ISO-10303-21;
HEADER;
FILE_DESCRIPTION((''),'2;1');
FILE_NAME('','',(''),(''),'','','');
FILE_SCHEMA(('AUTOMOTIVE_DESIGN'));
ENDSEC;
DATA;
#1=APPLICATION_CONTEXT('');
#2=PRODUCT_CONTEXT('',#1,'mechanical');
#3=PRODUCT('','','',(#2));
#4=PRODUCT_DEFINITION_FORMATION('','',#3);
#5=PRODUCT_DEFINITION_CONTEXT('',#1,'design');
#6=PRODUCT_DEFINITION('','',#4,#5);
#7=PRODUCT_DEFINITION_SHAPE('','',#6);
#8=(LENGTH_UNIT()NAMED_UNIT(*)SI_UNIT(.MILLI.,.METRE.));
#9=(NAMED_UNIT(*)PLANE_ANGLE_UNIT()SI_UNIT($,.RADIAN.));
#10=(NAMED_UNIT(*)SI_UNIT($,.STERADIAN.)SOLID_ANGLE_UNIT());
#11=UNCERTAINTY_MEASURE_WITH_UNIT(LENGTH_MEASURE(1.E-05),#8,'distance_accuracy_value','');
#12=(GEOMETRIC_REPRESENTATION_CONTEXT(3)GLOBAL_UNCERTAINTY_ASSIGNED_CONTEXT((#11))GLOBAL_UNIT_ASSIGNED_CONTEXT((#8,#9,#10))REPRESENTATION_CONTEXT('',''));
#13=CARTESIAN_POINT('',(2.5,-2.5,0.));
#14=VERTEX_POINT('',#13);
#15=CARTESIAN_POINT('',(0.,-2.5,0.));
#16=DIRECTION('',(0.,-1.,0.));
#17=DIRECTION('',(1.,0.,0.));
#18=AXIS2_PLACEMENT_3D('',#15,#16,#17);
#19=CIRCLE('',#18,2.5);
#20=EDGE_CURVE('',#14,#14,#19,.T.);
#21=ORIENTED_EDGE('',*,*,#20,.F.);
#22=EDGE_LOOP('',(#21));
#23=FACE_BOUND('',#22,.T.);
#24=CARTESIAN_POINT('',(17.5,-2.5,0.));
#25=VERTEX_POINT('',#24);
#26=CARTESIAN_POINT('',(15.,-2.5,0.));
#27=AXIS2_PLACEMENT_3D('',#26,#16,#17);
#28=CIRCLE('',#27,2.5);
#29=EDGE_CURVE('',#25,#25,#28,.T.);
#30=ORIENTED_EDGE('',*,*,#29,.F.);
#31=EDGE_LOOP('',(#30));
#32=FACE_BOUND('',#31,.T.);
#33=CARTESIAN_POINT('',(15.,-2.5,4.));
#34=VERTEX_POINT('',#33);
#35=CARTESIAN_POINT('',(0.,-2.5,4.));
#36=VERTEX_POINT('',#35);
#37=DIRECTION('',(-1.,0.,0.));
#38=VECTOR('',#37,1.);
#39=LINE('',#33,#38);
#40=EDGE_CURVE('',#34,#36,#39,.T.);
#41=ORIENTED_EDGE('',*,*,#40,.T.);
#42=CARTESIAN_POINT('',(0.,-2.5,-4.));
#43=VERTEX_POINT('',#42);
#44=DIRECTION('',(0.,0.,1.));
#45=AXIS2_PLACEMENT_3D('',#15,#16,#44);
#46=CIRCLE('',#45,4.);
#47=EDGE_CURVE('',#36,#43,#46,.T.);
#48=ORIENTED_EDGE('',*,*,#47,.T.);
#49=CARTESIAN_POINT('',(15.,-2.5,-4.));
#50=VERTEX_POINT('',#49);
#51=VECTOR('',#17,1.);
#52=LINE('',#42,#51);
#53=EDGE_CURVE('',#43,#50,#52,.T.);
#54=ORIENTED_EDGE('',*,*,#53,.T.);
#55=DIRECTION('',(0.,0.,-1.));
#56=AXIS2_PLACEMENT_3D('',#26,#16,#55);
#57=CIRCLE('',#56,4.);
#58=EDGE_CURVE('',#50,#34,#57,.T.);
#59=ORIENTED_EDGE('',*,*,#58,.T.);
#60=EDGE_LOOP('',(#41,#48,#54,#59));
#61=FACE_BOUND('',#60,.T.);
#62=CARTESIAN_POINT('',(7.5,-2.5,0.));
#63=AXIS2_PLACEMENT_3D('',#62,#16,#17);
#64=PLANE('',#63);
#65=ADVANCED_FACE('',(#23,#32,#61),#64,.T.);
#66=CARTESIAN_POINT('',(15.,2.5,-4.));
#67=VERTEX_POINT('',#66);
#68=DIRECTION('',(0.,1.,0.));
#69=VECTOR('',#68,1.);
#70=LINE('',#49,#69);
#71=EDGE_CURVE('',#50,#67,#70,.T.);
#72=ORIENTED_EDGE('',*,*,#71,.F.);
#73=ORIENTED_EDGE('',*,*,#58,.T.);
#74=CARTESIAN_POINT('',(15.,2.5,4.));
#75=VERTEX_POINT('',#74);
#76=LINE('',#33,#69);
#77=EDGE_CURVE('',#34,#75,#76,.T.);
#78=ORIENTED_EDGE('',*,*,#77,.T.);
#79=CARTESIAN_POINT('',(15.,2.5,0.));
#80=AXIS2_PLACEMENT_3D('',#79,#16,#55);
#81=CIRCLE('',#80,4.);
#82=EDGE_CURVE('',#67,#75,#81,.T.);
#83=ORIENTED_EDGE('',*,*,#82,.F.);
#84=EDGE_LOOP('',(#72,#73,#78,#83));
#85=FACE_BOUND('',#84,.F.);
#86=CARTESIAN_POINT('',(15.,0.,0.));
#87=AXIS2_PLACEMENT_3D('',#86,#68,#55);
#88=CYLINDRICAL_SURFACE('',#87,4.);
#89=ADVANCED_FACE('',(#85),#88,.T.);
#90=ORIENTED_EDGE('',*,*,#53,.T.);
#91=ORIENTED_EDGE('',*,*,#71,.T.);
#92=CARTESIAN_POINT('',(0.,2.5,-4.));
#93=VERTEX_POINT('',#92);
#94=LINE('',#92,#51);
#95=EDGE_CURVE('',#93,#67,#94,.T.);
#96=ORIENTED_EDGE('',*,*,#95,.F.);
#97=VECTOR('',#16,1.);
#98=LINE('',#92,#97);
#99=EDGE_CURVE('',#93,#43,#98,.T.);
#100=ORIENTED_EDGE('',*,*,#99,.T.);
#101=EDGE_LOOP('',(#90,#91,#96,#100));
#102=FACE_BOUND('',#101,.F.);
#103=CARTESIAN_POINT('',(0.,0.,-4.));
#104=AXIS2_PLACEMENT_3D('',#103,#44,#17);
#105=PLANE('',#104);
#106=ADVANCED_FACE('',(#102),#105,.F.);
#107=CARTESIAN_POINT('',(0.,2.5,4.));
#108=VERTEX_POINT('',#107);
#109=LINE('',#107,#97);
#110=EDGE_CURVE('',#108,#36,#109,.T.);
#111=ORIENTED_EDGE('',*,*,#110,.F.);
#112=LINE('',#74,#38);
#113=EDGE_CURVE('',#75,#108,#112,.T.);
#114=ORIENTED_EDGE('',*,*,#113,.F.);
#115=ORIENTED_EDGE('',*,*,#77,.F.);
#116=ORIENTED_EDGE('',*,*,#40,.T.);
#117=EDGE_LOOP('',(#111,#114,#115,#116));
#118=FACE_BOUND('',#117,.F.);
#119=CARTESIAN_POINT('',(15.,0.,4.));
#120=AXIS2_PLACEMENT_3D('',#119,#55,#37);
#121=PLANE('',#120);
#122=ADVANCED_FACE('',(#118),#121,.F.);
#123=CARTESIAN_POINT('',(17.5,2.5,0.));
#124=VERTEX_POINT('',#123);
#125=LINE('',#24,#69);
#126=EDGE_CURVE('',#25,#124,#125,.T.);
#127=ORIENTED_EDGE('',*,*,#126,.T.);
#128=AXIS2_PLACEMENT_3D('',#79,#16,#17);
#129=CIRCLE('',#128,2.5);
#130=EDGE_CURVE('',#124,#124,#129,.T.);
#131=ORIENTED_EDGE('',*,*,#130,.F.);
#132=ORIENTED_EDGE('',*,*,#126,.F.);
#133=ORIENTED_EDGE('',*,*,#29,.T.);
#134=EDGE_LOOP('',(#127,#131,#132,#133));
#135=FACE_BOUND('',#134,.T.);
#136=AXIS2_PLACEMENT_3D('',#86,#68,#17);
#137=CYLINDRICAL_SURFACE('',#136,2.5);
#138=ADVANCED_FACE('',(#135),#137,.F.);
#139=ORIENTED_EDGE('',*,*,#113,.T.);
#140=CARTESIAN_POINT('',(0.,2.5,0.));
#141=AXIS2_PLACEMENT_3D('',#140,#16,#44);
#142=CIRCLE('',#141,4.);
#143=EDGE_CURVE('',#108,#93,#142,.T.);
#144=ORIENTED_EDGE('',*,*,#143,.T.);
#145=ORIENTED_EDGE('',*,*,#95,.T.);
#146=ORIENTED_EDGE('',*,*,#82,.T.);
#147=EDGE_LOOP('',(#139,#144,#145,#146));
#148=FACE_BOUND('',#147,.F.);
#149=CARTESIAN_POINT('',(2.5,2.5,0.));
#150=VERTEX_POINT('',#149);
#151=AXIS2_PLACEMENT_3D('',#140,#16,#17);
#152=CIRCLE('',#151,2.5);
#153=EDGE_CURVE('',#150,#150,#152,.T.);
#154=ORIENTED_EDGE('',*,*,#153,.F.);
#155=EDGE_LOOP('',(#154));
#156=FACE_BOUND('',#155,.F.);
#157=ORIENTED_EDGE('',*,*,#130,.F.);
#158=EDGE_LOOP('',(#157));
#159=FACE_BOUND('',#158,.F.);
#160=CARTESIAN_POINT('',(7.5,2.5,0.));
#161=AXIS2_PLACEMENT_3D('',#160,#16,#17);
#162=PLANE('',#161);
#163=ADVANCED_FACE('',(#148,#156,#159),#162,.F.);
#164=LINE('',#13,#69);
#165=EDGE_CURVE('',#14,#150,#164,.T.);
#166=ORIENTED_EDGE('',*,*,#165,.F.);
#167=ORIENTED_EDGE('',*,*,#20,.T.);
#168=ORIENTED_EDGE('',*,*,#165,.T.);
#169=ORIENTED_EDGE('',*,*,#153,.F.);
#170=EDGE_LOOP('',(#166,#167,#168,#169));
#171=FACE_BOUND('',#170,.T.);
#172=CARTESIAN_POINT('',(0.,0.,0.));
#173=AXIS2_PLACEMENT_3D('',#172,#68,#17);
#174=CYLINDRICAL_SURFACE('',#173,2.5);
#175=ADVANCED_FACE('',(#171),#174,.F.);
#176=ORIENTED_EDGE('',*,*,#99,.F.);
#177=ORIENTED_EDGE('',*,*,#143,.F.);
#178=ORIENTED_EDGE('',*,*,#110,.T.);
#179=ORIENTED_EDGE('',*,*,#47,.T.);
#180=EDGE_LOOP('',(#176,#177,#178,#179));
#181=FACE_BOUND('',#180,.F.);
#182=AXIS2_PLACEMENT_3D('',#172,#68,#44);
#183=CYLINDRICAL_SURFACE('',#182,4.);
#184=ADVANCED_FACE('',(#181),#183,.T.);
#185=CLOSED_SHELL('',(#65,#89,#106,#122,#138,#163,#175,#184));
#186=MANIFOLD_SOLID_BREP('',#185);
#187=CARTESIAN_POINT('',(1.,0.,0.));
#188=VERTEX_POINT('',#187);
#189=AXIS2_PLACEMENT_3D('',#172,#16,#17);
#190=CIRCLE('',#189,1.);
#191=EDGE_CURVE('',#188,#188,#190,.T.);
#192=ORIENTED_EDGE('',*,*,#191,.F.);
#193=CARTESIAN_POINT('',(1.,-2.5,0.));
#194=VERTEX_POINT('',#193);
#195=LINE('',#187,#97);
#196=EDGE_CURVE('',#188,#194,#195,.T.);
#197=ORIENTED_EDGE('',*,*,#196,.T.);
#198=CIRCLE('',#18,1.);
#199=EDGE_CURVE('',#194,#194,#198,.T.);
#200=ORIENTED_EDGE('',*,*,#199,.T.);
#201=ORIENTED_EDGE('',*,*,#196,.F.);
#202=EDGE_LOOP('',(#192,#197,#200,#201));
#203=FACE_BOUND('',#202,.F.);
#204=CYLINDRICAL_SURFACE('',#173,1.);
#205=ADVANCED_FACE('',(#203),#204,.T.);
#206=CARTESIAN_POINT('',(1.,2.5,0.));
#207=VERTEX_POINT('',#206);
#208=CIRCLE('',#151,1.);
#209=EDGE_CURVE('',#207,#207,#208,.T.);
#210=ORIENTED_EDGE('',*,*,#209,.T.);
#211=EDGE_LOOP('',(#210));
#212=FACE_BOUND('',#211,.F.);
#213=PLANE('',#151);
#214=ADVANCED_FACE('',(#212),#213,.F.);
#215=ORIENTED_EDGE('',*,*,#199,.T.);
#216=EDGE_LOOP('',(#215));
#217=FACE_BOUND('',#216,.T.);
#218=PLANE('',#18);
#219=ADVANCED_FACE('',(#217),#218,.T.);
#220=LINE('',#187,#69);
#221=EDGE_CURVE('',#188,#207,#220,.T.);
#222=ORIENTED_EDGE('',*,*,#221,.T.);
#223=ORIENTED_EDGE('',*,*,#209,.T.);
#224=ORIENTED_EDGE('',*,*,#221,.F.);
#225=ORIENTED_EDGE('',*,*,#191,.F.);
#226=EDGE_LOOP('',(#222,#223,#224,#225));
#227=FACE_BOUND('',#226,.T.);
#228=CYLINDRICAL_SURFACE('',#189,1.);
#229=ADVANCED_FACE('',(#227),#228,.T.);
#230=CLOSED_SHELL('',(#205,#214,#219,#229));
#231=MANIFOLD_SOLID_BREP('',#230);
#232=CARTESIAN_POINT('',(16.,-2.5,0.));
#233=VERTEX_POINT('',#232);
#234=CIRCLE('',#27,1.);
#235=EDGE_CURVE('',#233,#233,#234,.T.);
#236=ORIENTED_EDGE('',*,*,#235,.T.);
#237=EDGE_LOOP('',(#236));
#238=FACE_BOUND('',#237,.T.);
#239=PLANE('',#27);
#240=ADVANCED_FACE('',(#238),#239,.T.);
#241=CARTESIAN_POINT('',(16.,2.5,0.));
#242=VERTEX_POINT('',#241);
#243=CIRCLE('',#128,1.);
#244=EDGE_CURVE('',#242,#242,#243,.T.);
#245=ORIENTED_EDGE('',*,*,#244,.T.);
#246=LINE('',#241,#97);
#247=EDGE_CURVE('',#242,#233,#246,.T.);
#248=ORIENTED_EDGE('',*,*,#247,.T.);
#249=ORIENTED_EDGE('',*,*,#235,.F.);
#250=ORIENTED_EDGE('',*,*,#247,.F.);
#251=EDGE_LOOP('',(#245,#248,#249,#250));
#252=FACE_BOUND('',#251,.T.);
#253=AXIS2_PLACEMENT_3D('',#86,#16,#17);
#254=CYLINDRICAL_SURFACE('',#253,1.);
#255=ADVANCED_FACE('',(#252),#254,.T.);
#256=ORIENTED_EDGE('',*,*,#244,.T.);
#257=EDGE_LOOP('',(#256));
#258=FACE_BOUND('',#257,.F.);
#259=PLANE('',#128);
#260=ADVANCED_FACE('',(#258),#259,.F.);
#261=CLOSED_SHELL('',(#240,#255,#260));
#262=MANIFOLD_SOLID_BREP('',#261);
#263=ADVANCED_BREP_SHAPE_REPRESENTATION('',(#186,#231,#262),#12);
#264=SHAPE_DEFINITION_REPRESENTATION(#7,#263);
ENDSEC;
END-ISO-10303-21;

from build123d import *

# Parameters (mm, degrees)
F0_R     = 2.5
F0_R_2   = 1
F1_DEPTH = 2.5


with BuildPart() as f1:
    # F0 (on Front) → F1 (new body, symmetric)
    with BuildSketch(Plane.XZ):
        with BuildLine():
            Line((15, 4), (0, 4))
            ThreePointArc((0, 4), (-4, 0), (0, -4))
            Line((0, -4), (15, -4))
            ThreePointArc((15, -4), (19, 0), (15, 4))
        make_face()
        Circle(F0_R, mode=Mode.SUBTRACT)
        with Locations((15, 0)):
            Circle(F0_R, mode=Mode.SUBTRACT)
        Circle(F0_R_2)
        with Locations((15, 0)):
            Circle(F0_R_2)
    extrude(amount=F1_DEPTH, both=True)


solid = f1.part
